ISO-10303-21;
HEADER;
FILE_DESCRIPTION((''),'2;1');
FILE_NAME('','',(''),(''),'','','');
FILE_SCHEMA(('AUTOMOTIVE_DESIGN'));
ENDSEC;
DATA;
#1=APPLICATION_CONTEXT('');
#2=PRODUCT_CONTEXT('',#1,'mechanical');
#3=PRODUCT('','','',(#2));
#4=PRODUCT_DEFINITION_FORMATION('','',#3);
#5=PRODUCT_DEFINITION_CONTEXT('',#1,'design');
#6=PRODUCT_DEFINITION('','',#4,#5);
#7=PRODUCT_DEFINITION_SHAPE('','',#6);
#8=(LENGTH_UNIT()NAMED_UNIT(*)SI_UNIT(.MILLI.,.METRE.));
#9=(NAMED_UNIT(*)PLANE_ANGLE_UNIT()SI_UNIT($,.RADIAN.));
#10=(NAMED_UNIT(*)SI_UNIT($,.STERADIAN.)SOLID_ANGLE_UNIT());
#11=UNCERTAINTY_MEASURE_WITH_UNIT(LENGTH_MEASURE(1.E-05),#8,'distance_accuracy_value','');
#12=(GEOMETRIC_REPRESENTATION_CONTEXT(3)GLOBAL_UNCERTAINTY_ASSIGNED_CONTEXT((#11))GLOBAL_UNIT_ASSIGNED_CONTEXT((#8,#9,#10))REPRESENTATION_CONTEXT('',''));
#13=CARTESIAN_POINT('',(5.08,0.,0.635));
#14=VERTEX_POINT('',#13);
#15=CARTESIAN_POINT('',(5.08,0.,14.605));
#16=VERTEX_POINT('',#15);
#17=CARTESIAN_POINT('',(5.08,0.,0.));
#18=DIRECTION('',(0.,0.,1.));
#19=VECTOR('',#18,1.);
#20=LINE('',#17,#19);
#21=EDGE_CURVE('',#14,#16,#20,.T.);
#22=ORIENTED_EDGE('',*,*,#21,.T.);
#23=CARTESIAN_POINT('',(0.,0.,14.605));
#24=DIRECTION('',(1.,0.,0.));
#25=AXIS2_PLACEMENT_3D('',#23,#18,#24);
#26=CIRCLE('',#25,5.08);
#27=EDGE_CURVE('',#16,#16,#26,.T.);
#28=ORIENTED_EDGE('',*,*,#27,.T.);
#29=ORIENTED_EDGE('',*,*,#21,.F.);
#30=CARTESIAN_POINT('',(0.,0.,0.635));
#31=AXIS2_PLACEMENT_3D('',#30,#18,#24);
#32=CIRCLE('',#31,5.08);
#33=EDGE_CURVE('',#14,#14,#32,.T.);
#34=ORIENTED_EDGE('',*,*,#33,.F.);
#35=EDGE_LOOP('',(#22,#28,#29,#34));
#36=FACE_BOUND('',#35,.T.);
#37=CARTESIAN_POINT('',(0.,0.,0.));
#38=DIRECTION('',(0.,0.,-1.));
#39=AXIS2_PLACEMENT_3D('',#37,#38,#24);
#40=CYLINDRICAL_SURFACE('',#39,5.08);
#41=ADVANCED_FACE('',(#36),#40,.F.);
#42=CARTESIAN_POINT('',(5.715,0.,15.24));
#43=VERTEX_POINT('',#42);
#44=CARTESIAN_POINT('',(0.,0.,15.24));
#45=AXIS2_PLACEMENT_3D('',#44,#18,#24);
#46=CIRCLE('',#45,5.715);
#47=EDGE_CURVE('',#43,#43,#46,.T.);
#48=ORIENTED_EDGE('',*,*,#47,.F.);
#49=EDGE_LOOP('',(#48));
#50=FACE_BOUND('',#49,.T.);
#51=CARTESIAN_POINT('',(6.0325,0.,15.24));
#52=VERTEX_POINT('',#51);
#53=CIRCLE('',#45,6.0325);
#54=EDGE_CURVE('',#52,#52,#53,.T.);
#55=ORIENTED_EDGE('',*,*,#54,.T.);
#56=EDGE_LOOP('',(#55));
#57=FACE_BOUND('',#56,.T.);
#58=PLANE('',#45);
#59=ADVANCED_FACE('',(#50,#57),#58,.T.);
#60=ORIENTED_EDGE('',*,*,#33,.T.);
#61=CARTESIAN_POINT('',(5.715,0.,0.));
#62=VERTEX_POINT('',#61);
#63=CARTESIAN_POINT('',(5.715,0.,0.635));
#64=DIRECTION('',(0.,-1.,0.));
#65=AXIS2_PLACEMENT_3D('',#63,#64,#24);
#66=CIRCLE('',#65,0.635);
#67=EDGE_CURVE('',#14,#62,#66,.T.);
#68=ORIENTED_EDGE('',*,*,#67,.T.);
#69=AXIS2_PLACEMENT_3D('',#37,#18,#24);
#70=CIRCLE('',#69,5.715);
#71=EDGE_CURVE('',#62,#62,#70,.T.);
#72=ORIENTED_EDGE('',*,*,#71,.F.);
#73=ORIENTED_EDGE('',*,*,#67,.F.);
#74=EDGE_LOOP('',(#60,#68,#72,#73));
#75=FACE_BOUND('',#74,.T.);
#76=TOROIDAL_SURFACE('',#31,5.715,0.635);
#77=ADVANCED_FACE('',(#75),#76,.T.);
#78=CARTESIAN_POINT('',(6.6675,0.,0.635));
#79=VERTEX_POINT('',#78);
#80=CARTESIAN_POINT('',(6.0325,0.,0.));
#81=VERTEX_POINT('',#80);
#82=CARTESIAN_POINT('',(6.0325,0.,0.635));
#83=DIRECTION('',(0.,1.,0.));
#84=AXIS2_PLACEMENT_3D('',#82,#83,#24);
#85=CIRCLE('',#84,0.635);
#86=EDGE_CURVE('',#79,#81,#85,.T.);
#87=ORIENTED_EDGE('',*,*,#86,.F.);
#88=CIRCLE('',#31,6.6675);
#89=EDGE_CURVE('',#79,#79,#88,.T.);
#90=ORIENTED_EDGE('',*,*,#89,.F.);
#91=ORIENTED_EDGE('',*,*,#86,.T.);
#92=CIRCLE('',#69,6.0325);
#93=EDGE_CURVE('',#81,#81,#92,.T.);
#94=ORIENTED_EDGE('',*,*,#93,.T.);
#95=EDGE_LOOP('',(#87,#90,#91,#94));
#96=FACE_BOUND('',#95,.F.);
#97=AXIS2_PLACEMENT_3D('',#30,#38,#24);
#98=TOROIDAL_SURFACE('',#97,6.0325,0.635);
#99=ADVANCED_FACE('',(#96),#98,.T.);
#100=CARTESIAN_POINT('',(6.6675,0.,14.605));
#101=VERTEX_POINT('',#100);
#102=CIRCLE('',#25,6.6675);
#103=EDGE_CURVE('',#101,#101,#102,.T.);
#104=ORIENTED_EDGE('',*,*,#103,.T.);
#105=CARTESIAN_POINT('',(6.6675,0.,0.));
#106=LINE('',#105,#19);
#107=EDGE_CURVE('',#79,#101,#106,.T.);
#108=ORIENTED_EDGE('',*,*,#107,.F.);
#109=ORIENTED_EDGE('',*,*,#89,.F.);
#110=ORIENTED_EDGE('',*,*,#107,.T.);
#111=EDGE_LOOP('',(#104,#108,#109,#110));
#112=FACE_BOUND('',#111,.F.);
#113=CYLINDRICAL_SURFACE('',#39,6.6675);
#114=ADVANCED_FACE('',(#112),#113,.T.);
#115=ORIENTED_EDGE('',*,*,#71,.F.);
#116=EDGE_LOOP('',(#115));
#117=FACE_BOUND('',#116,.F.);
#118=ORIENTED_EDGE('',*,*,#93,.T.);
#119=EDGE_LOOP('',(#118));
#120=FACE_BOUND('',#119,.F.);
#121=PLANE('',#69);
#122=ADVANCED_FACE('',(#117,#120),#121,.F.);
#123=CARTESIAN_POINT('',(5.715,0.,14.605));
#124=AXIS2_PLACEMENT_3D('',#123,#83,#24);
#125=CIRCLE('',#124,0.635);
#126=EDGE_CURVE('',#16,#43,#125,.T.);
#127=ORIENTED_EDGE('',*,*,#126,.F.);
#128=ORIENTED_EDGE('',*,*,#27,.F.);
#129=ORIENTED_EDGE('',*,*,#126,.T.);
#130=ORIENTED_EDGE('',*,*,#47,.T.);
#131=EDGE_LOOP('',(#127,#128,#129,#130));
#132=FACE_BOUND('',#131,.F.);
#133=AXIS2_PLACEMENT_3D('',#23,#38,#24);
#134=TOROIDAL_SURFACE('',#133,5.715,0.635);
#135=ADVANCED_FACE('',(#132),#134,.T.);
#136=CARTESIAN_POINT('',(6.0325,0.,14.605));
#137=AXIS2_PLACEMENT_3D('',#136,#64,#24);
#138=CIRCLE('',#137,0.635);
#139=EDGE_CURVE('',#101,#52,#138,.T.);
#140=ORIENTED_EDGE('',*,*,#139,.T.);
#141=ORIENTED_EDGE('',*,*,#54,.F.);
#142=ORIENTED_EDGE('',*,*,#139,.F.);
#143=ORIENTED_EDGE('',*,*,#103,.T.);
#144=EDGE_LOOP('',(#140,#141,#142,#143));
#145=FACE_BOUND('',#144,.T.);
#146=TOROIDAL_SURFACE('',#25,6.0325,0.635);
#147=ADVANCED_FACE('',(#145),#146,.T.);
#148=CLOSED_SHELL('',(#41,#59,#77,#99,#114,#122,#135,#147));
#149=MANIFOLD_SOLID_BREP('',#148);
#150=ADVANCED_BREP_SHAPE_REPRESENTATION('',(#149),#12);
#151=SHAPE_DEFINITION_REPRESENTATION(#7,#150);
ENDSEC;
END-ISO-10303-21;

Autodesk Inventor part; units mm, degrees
ref_plane "YZ Plane" through (0, 0, 0) normal (1, 0, 0) x (0, 1, 0)
ref_plane "XZ Plane" through (0, 0, 0) normal (0, 1, 0) x (-1, 0, 0)
ref_plane "XY Plane" through (0, 0, 0) normal (0, 0, 1) x (1, 0, 0)
sketch "Sketch1" plane through (0, 0, 0) normal (0, 0, 1) x (1, 0, 0)
  circle A0 centre (0, 0) radius 6.6675
  circle A1 centre (0, 0) radius 5.08
  dimension "d0" = 13.335
  dimension "d1" = 10.16
extrude "Extrusion1" add sketch "Sketch1" along normal blind 15.24
fillet "Fillet1" radius 0.635 4 edges at (-6.6675, 0, 15.24) (-5.08, 0, 15.24) (-6.6675, 0, 0) (-5.08, 0, 0)
properties part number "Spacer .55"
